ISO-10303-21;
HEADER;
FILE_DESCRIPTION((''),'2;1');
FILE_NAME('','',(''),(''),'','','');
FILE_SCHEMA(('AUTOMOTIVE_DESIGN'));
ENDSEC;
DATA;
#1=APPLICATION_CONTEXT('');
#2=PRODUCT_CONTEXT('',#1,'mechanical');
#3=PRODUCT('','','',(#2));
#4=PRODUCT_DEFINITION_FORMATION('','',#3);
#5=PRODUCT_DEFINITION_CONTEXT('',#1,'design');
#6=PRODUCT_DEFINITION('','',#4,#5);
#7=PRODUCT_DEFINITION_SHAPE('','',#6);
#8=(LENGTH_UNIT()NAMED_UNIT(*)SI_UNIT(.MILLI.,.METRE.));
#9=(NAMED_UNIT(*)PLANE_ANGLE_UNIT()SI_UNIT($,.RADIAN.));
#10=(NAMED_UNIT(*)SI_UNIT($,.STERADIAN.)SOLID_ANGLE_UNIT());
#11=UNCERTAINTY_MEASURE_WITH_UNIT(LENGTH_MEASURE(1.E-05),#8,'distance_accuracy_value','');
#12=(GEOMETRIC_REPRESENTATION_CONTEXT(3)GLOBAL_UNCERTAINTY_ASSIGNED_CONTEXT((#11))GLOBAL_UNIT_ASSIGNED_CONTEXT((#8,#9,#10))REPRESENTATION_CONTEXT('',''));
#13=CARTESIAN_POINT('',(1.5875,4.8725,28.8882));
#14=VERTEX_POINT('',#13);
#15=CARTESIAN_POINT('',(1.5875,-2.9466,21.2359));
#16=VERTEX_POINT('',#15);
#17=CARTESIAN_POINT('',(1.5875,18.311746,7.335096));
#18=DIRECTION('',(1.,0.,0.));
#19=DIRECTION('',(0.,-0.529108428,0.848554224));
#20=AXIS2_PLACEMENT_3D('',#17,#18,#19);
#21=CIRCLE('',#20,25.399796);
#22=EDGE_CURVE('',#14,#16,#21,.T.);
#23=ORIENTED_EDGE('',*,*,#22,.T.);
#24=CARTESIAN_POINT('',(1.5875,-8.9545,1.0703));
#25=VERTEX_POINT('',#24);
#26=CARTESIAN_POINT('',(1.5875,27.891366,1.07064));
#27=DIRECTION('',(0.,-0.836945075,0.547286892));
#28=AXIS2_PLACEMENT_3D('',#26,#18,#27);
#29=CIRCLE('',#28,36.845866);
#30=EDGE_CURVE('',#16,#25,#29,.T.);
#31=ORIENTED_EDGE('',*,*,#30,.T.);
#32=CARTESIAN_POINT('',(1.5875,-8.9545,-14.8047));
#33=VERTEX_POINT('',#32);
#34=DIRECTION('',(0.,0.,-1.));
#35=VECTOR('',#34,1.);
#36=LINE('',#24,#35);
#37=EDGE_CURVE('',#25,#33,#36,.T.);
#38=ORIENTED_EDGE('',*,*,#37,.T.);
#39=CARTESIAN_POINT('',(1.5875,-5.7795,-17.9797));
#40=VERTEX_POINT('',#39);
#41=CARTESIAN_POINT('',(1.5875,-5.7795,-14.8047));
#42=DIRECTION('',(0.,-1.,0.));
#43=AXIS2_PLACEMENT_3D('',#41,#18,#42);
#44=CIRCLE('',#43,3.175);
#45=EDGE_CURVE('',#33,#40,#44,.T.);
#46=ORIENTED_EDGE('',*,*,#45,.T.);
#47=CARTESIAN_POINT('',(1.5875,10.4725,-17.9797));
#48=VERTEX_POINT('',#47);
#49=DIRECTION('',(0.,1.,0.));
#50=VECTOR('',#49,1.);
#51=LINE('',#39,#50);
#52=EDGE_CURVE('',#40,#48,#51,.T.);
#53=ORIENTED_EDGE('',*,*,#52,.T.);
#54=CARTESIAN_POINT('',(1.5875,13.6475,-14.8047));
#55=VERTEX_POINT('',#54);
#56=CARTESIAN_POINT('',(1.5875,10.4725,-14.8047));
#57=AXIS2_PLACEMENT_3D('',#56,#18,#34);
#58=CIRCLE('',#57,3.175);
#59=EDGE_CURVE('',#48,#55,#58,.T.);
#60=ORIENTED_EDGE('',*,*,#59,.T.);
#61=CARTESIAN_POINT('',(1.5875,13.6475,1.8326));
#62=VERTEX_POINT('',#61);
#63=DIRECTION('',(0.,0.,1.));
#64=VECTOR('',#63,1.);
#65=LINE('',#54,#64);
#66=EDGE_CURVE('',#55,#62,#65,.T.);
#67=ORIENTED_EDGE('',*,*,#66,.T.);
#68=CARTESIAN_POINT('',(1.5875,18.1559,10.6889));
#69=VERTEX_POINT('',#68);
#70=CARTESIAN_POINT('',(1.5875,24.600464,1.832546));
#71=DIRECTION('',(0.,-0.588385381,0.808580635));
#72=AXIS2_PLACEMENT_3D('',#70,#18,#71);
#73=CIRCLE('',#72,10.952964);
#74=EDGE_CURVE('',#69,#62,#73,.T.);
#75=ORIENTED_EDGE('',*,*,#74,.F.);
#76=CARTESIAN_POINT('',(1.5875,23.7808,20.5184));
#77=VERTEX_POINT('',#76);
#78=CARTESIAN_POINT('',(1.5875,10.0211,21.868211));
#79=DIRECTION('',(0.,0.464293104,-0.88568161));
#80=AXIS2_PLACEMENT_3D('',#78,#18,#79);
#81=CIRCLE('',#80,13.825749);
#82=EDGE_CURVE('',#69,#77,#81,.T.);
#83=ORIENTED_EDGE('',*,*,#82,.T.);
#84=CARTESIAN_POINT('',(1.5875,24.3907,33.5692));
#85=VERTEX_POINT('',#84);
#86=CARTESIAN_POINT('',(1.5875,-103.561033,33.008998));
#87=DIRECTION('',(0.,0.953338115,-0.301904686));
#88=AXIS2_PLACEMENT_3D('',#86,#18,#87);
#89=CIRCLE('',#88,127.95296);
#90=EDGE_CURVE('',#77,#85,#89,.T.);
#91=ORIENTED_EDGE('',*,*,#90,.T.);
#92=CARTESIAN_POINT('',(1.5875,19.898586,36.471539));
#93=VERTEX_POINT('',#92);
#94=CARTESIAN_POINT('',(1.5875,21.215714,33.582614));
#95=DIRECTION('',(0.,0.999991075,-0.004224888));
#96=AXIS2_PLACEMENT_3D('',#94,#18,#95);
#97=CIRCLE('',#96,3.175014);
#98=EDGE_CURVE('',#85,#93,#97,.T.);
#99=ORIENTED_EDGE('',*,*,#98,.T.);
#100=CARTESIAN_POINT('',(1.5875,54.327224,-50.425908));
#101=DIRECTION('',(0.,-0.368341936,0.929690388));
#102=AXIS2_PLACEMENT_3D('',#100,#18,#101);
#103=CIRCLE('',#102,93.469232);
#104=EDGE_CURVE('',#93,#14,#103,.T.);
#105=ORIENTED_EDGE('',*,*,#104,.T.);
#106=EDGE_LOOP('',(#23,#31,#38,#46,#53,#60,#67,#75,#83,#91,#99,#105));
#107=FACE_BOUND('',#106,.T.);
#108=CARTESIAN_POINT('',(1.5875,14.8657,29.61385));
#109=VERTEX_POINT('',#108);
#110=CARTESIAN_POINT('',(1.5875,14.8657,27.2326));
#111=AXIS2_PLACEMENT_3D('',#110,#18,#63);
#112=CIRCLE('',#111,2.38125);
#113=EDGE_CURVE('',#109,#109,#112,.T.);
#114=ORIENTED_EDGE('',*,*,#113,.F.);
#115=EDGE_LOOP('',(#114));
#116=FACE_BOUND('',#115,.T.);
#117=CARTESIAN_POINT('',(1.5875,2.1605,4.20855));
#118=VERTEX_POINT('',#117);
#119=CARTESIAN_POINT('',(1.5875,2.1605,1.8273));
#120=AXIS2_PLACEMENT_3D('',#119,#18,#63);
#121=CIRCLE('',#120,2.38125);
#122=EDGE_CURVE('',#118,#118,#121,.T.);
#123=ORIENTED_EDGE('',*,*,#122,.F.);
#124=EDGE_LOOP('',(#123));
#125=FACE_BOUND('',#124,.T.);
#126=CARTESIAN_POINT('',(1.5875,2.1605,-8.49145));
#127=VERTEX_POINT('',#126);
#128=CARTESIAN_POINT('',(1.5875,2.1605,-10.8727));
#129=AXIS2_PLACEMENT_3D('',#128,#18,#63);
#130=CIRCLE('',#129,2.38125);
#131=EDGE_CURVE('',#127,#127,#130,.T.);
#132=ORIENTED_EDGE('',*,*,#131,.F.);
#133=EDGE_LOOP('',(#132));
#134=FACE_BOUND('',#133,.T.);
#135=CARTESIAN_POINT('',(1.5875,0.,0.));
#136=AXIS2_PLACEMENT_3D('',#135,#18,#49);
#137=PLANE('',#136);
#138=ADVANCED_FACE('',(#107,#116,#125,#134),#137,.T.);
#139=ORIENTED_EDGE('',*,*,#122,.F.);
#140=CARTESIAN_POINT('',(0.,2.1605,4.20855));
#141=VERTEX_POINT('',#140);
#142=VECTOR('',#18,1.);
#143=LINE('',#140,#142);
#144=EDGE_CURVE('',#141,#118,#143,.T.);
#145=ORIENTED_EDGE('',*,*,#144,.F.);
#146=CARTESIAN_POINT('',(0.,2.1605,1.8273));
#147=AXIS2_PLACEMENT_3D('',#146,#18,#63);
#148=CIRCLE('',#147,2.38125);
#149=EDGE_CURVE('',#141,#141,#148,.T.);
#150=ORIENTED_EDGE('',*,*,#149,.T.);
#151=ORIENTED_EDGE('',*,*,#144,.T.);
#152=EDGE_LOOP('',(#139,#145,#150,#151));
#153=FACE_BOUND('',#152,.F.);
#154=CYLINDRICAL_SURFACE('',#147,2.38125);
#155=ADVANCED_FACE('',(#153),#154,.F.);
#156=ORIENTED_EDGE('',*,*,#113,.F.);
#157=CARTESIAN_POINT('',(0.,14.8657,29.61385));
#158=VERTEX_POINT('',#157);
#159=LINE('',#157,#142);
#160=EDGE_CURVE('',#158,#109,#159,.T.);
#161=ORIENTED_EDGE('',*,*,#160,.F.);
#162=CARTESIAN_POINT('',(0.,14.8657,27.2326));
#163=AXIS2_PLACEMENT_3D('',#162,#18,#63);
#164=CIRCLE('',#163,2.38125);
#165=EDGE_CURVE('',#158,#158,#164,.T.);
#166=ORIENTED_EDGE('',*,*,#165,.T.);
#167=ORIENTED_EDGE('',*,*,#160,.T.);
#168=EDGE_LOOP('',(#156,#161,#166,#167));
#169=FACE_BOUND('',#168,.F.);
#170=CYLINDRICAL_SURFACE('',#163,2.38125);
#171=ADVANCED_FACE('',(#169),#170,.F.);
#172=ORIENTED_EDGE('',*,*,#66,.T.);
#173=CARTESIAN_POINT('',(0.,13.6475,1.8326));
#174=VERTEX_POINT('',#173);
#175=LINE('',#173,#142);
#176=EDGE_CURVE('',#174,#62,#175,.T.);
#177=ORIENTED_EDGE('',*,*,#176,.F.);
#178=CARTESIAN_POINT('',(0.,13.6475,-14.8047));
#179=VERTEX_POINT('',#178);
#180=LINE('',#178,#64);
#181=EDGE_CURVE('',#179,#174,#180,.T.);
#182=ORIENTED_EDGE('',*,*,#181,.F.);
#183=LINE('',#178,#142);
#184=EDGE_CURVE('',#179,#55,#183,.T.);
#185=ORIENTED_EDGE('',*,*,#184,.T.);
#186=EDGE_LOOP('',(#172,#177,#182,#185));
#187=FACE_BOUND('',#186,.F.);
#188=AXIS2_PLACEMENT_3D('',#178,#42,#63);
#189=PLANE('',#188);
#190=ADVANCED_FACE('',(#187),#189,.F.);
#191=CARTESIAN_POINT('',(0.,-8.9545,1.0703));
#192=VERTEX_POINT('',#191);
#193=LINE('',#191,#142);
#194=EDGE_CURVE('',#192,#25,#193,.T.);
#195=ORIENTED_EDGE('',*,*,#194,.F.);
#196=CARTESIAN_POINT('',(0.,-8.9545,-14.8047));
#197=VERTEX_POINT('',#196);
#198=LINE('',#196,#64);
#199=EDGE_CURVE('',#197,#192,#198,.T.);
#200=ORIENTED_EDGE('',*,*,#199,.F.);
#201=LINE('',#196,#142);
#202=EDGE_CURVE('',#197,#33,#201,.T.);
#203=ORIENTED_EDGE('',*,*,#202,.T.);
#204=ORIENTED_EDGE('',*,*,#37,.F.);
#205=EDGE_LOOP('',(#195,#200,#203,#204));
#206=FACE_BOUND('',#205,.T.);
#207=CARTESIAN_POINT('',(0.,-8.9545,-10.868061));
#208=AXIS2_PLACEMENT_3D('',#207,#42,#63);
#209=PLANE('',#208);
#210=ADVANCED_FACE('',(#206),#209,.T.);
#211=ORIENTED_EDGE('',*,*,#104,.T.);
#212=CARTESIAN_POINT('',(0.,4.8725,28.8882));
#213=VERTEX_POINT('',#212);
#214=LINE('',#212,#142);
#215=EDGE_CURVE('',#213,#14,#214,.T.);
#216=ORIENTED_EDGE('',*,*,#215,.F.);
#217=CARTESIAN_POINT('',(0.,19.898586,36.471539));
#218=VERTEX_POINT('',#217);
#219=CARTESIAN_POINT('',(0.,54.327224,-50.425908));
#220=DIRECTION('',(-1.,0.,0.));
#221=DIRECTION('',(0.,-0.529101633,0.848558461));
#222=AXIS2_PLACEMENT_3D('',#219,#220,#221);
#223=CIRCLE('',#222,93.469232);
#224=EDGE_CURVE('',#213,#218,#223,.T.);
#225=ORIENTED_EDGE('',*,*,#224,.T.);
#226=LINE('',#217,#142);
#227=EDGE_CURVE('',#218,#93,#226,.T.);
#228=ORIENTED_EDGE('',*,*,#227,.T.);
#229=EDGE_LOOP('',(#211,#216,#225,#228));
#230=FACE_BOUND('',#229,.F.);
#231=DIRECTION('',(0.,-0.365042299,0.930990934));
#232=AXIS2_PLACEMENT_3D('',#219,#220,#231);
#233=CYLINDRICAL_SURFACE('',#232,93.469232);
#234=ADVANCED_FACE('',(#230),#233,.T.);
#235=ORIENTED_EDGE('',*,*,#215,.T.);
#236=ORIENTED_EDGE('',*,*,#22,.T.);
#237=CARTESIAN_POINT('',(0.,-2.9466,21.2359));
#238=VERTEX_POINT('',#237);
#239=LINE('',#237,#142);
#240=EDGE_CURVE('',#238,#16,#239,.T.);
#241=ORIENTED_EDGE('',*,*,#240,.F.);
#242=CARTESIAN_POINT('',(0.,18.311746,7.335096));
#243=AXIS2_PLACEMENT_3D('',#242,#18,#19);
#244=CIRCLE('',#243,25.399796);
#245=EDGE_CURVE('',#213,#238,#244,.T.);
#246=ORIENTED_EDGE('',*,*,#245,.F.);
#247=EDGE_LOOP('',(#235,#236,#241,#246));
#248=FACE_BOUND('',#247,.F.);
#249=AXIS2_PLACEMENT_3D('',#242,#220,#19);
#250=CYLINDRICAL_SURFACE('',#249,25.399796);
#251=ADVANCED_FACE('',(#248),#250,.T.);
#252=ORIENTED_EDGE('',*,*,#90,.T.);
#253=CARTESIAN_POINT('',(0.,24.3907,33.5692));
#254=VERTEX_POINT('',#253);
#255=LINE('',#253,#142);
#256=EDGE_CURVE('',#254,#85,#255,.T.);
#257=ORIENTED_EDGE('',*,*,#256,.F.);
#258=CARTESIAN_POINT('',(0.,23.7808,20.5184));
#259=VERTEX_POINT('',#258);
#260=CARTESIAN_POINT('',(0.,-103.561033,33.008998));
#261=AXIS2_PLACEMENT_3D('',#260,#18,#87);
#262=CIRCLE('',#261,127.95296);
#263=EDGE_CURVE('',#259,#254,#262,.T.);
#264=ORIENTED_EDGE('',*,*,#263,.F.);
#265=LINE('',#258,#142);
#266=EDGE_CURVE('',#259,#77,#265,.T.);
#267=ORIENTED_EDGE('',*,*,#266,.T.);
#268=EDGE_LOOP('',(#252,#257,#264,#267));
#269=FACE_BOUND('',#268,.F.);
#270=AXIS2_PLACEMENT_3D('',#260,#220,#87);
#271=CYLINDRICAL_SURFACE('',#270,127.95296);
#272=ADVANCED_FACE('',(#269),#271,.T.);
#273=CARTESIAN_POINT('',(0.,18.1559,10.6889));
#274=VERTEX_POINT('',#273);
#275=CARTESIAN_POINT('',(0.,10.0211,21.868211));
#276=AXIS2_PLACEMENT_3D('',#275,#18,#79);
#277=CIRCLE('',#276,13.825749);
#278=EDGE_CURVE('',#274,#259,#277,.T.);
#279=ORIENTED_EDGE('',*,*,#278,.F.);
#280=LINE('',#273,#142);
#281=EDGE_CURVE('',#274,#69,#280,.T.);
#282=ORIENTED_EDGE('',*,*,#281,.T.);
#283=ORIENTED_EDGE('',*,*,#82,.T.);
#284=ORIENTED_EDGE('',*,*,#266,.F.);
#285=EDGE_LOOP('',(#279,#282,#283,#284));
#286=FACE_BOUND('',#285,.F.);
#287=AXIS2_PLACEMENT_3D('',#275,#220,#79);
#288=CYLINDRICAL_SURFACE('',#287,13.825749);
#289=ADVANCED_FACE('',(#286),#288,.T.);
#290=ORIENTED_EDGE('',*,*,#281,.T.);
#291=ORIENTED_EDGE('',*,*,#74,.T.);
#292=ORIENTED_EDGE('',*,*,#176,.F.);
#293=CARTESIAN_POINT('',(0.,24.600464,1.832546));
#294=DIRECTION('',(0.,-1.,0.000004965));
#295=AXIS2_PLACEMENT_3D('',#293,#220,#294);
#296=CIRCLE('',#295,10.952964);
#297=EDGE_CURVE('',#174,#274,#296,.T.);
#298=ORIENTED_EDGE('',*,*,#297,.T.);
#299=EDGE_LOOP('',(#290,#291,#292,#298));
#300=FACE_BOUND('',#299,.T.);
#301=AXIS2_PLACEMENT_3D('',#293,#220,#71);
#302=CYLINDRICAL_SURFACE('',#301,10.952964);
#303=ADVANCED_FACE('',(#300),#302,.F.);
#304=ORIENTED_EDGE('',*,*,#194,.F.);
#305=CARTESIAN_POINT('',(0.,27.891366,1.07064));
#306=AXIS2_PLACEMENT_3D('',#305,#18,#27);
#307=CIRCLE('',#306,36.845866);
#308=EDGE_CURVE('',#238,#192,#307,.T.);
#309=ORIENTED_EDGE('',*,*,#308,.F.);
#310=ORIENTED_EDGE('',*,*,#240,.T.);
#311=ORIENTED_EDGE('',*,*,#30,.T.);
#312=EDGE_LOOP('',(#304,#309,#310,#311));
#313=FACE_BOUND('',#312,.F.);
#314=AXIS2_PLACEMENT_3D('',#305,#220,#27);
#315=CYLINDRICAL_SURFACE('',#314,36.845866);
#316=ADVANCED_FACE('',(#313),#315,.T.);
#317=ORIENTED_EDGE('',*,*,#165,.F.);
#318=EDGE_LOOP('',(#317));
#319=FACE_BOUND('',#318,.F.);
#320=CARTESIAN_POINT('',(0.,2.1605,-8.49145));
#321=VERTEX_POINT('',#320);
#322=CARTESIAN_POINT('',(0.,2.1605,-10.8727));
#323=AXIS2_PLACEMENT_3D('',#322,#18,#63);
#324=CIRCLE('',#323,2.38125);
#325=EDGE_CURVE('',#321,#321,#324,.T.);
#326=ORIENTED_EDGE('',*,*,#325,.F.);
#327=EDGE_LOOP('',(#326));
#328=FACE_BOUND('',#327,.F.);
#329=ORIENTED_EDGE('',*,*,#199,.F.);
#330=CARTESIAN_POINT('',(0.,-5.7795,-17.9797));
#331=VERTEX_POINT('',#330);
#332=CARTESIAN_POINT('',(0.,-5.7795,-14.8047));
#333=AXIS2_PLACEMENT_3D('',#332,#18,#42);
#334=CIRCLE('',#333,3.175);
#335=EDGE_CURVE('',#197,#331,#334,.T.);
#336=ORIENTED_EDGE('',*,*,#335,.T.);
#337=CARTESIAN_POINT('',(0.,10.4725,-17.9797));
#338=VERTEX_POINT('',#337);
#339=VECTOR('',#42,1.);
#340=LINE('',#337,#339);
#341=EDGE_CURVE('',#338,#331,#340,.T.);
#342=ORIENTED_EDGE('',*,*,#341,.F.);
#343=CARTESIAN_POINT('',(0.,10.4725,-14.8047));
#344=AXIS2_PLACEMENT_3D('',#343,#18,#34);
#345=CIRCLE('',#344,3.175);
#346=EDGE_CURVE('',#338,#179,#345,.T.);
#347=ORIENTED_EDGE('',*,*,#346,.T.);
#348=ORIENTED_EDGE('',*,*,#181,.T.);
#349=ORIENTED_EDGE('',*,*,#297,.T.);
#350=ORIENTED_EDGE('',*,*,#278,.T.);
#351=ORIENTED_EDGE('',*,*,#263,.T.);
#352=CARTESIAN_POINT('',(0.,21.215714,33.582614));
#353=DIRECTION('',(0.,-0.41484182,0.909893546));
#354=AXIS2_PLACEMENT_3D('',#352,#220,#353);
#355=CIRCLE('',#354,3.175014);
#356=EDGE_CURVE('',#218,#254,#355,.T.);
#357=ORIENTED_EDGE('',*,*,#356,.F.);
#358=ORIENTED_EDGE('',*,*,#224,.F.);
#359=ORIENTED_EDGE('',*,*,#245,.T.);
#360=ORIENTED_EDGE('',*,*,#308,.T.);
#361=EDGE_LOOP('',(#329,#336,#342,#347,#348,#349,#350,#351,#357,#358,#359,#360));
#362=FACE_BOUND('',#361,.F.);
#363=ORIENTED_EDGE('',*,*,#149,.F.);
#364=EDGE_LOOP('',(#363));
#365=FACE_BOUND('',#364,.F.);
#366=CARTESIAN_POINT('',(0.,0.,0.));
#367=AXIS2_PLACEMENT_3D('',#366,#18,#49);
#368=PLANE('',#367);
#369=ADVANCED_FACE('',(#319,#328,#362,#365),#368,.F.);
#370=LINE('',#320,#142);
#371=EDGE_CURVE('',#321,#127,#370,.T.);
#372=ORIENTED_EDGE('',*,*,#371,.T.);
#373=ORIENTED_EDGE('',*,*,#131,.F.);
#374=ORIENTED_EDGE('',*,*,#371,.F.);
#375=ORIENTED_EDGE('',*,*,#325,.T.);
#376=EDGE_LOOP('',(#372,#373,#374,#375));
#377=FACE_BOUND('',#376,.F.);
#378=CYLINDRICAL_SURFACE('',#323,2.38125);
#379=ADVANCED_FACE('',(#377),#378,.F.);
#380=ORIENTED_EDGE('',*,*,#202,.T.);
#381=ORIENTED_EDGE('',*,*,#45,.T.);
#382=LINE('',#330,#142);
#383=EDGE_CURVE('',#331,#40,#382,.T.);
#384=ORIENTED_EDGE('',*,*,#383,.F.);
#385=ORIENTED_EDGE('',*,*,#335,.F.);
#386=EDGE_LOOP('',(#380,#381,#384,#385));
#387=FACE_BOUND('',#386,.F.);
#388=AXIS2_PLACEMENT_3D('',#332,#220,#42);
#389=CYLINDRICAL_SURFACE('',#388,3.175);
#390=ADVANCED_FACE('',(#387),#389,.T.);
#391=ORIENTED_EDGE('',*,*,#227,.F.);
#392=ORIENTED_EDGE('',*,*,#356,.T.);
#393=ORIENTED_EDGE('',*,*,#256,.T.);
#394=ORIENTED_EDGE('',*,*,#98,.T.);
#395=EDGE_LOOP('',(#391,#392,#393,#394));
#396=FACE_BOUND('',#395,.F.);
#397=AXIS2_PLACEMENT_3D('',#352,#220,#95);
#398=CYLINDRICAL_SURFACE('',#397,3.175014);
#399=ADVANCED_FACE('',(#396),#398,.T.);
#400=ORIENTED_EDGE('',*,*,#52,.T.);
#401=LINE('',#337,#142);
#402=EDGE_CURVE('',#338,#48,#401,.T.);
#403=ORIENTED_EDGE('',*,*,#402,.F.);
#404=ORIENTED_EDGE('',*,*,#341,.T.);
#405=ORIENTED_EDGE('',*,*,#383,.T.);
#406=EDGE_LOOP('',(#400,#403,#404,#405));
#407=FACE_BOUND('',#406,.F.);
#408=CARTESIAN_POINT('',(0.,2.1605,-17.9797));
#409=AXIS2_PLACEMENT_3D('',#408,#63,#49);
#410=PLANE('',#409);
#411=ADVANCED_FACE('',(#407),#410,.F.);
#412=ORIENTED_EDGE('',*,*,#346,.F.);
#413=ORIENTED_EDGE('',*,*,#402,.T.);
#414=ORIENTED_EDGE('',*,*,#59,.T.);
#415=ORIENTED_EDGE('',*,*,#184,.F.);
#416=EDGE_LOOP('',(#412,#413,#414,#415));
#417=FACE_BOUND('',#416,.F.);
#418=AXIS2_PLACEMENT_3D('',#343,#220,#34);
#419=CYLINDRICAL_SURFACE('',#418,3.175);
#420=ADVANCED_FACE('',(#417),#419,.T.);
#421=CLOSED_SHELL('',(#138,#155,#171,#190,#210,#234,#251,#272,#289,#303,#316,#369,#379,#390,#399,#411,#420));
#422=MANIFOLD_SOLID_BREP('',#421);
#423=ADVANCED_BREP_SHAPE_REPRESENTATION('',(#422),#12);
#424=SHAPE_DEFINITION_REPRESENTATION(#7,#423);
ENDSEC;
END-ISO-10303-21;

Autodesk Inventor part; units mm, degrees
ref_plane "YZ Plane" through (0, 0, 0) normal (1, 0, 0) x (0, 1, 0)
ref_plane "XZ Plane" through (0, 0, 0) normal (0, 1, 0) x (-1, 0, 0)
ref_plane "XY Plane" through (0, 0, 0) normal (0, 0, 1) x (1, 0, 0)
sketch "Sketch2" plane through (0, 0, 0) normal (1, 0, 0) x (0, 1, 0)
  line L0 (-10.5343, 1.8326) -> (14.8657, 1.8326) construction
  line L1 (-10.5343, 1.8326) -> (-23.2343, 1.8326)
  line L2 (14.8657, 1.8326) -> (14.8657, 33.5826)
  line L3 (14.8657, 33.5826) -> (21.2157, 33.5826)
  arc A0 (24.3907, 33.5692) -> (18.0407, 33.5826) centre (21.2157, 33.5826) ccw
  line L4 (-10.5343, 1.8326) -> (-10.5343, 27.2326)
  line L5 (21.2157, 33.5826) -> (19.8929, 33.5826)
  arc A1 (18.4214, -5.6206) -> (24.3907, 33.5692) centre (-103.5619, 33.0092) ccw
  line L6 (21.1383, 36.7567) -> (20.6141, 36.7567)
  arc A2 (20.207, 36.5931) -> (4.8725, 28.8882) centre (54.3249, -50.4207) ccw
  arc A3 (-6.7994, 20.2847) -> (-12.9991, 12.2415) centre (9.812, 1.0696) ccw
  line L7 (-10.5343, 1.8326) -> (-10.5395, -10.8674)
  line L8 (-10.5395, -10.8674) -> (2.1605, -10.8727)
  arc A4 (14.8657, -15.4374) -> (16.4404, -11.3937) centre (-103.5619, 33.0092) ccw
  arc A5 (18.4214, -5.6206) -> (14.8657, -28.6257) centre (91.0657, -28.6257) ccw
  line L9 (14.8657, 1.8326) -> (14.8657, 27.2326)
  line L10 (14.8657, 33.5826) -> (-10.5343, 33.5826)
  line L11 (2.1605, -10.8727) -> (2.1605, -17.9797)
  line L12 (2.1605, -17.9797) -> (10.4725, -17.9797)
  line L13 (2.1605, -17.9797) -> (-5.7795, -17.9797)
  line L14 (-8.9545, -14.8047) -> (-8.9545, 1.0703)
  line L15 (13.6475, -14.8047) -> (13.6475, 1.8326)
  arc A6 (-2.9466, 21.2359) -> (-8.9545, 1.0703) centre (27.8921, 1.0703) ccw
  arc A7 (4.8725, 28.8882) -> (-2.9466, 21.2359) centre (18.3119, 7.3349) ccw
  arc A8 (16.4403, 9.623) -> (23.7808, 20.5184) centre (10.0212, 21.8681) ccw
  arc A9 (18.1559, 10.6889) -> (13.6475, 1.8326) centre (24.6004, 1.8326) ccw
  arc A10 (10.4725, -17.9797) -> (13.6475, -14.8047) centre (10.4725, -14.8047) ccw
  arc A11 (-8.9545, -14.8047) -> (-5.7795, -17.9797) centre (-5.7795, -14.8047) ccw
  line L16 (2.1605, -10.8727) -> (2.1605, 1.8273)
  point P0 (0, 0)
  point P1 (13.6475, -17.9797)
  point P2 (-8.9545, -17.9797)
  point P3 (-8.9545, -10.868)
  point P4 (19.8992, 36.4718)
  dimension "d0" = 25.4
  dimension "d1" = 12.7
  dimension "d2" = 6.35
  dimension "d3" = 6.35
  dimension "d4" = 31.75
  dimension "d5" = 25.4
  dimension "d7" = 25.4
  dimension "d8" = 12.7
  dimension "d12" = 25.4
  dimension "d17" = 19.05
  dimension "d18" = 25.4
  dimension "d21" = 3.175
  dimension "d29" = 12.7
extrude "Extrusion1" add sketch "Sketch2" along normal blind 1.5875
hole "Hole1" at (0, 14.8657, 27.2326) at (0, 2.1605, -10.8727) at (0, 2.1605, 1.8273) direction (1, 0, 0) diameter 4.7625 end through all
properties part number "sled"
